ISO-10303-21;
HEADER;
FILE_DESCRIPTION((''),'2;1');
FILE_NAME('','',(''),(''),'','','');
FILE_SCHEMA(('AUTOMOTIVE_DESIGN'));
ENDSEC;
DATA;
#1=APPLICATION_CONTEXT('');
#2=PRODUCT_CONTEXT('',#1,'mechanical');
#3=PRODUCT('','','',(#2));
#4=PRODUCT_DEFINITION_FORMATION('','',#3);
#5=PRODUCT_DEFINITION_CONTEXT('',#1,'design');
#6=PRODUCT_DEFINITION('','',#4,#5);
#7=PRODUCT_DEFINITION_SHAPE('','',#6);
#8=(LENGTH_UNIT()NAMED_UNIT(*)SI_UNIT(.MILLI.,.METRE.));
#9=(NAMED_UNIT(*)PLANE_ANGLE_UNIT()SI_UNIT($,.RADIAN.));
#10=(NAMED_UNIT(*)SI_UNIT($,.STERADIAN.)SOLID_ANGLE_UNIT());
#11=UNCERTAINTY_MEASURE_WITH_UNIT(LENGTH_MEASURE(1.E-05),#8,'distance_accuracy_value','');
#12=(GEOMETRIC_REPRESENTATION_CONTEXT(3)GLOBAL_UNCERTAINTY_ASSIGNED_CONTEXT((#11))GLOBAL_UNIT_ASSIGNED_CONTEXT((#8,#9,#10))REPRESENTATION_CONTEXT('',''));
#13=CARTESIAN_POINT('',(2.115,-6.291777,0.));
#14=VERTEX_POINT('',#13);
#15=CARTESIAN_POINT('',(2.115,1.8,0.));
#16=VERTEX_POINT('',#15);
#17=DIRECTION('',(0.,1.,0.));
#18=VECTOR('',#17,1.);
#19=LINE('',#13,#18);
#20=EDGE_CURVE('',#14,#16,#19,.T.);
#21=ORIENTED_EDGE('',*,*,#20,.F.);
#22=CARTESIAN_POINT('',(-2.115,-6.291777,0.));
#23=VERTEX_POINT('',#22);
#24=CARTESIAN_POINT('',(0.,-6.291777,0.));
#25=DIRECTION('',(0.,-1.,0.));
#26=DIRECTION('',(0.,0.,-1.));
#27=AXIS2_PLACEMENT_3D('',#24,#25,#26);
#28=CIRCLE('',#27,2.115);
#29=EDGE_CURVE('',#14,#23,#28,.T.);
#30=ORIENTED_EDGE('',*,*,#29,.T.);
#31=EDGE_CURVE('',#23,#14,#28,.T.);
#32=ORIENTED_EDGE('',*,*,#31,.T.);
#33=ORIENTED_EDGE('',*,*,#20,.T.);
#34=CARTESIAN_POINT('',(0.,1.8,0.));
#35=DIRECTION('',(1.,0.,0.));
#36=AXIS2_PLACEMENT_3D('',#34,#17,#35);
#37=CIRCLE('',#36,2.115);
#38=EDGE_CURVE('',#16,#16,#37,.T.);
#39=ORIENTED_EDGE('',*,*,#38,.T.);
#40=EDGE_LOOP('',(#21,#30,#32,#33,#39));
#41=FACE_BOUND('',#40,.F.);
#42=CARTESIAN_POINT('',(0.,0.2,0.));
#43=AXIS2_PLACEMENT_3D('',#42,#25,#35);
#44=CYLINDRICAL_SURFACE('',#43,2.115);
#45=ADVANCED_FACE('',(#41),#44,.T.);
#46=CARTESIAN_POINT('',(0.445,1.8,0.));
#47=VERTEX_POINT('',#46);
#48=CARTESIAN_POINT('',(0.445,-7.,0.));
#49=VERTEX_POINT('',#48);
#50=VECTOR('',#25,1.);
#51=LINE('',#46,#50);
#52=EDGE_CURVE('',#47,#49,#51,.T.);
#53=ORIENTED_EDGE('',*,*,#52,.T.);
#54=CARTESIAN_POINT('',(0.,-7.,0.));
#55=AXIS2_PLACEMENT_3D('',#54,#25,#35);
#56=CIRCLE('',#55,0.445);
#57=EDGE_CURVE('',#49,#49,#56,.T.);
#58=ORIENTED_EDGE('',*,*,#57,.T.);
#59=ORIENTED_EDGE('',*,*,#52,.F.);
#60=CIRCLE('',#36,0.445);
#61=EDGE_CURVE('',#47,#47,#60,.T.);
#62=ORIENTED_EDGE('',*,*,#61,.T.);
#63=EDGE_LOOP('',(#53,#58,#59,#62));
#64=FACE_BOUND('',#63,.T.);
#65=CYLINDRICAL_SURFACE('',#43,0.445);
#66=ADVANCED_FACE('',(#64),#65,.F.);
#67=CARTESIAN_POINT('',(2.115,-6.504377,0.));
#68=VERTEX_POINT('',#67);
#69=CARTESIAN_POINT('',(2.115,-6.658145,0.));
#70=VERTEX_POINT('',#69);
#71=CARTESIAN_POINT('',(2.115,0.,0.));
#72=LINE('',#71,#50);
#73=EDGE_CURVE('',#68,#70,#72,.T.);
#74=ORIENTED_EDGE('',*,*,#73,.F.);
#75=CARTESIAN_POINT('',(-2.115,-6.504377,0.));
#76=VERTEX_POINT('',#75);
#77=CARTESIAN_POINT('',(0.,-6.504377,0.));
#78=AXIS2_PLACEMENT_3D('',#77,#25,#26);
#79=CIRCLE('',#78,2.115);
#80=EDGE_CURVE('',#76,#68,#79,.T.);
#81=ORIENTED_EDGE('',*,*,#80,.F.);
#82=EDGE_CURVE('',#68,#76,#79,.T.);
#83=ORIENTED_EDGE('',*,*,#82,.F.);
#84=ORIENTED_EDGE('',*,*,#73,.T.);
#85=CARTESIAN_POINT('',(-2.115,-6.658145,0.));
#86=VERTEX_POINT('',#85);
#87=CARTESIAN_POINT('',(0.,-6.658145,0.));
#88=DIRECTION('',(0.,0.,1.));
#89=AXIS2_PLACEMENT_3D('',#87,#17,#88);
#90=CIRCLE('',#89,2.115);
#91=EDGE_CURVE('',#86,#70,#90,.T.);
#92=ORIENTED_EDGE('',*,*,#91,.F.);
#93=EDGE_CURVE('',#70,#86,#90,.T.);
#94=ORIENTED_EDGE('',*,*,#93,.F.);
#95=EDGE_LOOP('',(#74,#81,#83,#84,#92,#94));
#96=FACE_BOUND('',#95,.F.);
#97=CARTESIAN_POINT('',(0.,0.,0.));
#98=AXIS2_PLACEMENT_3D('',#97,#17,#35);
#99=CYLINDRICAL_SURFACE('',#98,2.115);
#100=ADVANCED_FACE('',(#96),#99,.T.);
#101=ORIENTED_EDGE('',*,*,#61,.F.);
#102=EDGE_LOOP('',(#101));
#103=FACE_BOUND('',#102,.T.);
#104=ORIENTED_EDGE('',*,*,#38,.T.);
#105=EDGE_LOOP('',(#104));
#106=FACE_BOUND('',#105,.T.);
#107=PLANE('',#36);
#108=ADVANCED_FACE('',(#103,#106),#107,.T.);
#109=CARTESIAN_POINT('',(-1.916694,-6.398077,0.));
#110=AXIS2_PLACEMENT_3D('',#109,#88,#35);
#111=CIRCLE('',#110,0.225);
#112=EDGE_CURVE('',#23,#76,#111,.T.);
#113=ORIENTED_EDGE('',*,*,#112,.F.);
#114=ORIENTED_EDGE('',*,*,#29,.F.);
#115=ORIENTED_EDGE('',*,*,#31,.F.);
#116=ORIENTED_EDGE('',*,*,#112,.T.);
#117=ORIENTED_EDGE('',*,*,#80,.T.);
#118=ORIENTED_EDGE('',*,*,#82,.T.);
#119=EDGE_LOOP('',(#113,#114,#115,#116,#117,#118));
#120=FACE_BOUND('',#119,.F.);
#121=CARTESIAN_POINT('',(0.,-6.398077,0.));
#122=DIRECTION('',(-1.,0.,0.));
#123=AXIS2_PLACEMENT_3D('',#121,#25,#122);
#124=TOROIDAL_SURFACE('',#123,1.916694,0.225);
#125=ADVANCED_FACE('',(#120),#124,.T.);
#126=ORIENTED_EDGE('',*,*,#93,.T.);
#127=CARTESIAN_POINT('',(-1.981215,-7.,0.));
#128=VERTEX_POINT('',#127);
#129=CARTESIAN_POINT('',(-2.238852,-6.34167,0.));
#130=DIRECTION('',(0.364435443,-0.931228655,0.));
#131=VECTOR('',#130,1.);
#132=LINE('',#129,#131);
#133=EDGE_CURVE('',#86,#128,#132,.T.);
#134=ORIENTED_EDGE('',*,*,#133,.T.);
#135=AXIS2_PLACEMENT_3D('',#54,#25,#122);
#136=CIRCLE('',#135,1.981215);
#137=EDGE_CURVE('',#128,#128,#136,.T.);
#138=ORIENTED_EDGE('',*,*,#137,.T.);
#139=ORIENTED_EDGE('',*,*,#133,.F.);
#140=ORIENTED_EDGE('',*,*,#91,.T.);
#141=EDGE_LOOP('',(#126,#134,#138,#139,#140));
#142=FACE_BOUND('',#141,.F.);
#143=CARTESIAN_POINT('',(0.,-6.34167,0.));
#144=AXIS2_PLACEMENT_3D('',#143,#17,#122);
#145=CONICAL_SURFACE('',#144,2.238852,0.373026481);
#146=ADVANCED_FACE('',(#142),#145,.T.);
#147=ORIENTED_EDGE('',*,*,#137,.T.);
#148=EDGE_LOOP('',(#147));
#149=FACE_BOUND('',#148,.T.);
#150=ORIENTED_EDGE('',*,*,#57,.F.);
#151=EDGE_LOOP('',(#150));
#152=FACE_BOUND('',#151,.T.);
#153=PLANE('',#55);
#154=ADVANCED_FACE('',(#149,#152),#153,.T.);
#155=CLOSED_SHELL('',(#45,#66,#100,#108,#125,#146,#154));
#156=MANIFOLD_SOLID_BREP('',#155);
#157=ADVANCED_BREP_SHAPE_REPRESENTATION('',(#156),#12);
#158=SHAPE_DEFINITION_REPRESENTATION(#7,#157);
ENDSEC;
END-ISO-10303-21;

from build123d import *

# Parameters (mm, degrees)
SKETCH013_R         = 2.115
SKETCH013_R_2       = 0.445
PAD006_DEPTH        = 7
SKETCH015_R         = 0.225
GROOVE001_FACE2_R   = 2.115
GROOVE001_FACE2_R_2 = 0.445
PAD007_DEPTH        = 0.2
PAD007_FACE5_R      = 2.115
PAD007_FACE5_R_2    = 0.445
PAD008_DEPTH        = 1.6


with BuildPart() as part:
    # Sketch013 → Pad006 (new body)
    with BuildSketch(Plane.XZ):
        Circle(SKETCH013_R)
        Circle(SKETCH013_R_2, mode=Mode.SUBTRACT)
    extrude(amount=PAD006_DEPTH)

    # Sketch015 → Revolution (revolve)
    with BuildSketch(Plane.XY):
        with Locations((-1.916694, -6.398077)):
            Circle(SKETCH015_R)
    revolve(axis=Axis((0, 0, 0), (0, 1, 0)))

    # Sketch016 → Groove001 (revolve, cut)
    with BuildSketch(Plane.XY):
        Polygon((-2.238852, -6.34167), (-1.80714, -7.444808), (-2.2822, -7.159883), align=None)
    revolve(axis=Axis((0, 0, 0), (0, 1, 0)), mode=Mode.SUBTRACT)

    # Groove001 Face2 → Pad007 (add)
    with BuildSketch(Plane(origin=(0, 0, 0), x_dir=(1, 0, 0), z_dir=(0, 1, 0))):
        Circle(GROOVE001_FACE2_R)
        Circle(GROOVE001_FACE2_R_2, mode=Mode.SUBTRACT)
    extrude(amount=PAD007_DEPTH)

    # Pad007 Face5 → Pad008 (add)
    with BuildSketch(Plane(origin=(0, 0.2, 0), x_dir=(1, 0, 0), z_dir=(0, 1, 0))):
        Circle(PAD007_FACE5_R)
        Circle(PAD007_FACE5_R_2, mode=Mode.SUBTRACT)
    extrude(amount=PAD008_DEPTH)


solid = part.part
